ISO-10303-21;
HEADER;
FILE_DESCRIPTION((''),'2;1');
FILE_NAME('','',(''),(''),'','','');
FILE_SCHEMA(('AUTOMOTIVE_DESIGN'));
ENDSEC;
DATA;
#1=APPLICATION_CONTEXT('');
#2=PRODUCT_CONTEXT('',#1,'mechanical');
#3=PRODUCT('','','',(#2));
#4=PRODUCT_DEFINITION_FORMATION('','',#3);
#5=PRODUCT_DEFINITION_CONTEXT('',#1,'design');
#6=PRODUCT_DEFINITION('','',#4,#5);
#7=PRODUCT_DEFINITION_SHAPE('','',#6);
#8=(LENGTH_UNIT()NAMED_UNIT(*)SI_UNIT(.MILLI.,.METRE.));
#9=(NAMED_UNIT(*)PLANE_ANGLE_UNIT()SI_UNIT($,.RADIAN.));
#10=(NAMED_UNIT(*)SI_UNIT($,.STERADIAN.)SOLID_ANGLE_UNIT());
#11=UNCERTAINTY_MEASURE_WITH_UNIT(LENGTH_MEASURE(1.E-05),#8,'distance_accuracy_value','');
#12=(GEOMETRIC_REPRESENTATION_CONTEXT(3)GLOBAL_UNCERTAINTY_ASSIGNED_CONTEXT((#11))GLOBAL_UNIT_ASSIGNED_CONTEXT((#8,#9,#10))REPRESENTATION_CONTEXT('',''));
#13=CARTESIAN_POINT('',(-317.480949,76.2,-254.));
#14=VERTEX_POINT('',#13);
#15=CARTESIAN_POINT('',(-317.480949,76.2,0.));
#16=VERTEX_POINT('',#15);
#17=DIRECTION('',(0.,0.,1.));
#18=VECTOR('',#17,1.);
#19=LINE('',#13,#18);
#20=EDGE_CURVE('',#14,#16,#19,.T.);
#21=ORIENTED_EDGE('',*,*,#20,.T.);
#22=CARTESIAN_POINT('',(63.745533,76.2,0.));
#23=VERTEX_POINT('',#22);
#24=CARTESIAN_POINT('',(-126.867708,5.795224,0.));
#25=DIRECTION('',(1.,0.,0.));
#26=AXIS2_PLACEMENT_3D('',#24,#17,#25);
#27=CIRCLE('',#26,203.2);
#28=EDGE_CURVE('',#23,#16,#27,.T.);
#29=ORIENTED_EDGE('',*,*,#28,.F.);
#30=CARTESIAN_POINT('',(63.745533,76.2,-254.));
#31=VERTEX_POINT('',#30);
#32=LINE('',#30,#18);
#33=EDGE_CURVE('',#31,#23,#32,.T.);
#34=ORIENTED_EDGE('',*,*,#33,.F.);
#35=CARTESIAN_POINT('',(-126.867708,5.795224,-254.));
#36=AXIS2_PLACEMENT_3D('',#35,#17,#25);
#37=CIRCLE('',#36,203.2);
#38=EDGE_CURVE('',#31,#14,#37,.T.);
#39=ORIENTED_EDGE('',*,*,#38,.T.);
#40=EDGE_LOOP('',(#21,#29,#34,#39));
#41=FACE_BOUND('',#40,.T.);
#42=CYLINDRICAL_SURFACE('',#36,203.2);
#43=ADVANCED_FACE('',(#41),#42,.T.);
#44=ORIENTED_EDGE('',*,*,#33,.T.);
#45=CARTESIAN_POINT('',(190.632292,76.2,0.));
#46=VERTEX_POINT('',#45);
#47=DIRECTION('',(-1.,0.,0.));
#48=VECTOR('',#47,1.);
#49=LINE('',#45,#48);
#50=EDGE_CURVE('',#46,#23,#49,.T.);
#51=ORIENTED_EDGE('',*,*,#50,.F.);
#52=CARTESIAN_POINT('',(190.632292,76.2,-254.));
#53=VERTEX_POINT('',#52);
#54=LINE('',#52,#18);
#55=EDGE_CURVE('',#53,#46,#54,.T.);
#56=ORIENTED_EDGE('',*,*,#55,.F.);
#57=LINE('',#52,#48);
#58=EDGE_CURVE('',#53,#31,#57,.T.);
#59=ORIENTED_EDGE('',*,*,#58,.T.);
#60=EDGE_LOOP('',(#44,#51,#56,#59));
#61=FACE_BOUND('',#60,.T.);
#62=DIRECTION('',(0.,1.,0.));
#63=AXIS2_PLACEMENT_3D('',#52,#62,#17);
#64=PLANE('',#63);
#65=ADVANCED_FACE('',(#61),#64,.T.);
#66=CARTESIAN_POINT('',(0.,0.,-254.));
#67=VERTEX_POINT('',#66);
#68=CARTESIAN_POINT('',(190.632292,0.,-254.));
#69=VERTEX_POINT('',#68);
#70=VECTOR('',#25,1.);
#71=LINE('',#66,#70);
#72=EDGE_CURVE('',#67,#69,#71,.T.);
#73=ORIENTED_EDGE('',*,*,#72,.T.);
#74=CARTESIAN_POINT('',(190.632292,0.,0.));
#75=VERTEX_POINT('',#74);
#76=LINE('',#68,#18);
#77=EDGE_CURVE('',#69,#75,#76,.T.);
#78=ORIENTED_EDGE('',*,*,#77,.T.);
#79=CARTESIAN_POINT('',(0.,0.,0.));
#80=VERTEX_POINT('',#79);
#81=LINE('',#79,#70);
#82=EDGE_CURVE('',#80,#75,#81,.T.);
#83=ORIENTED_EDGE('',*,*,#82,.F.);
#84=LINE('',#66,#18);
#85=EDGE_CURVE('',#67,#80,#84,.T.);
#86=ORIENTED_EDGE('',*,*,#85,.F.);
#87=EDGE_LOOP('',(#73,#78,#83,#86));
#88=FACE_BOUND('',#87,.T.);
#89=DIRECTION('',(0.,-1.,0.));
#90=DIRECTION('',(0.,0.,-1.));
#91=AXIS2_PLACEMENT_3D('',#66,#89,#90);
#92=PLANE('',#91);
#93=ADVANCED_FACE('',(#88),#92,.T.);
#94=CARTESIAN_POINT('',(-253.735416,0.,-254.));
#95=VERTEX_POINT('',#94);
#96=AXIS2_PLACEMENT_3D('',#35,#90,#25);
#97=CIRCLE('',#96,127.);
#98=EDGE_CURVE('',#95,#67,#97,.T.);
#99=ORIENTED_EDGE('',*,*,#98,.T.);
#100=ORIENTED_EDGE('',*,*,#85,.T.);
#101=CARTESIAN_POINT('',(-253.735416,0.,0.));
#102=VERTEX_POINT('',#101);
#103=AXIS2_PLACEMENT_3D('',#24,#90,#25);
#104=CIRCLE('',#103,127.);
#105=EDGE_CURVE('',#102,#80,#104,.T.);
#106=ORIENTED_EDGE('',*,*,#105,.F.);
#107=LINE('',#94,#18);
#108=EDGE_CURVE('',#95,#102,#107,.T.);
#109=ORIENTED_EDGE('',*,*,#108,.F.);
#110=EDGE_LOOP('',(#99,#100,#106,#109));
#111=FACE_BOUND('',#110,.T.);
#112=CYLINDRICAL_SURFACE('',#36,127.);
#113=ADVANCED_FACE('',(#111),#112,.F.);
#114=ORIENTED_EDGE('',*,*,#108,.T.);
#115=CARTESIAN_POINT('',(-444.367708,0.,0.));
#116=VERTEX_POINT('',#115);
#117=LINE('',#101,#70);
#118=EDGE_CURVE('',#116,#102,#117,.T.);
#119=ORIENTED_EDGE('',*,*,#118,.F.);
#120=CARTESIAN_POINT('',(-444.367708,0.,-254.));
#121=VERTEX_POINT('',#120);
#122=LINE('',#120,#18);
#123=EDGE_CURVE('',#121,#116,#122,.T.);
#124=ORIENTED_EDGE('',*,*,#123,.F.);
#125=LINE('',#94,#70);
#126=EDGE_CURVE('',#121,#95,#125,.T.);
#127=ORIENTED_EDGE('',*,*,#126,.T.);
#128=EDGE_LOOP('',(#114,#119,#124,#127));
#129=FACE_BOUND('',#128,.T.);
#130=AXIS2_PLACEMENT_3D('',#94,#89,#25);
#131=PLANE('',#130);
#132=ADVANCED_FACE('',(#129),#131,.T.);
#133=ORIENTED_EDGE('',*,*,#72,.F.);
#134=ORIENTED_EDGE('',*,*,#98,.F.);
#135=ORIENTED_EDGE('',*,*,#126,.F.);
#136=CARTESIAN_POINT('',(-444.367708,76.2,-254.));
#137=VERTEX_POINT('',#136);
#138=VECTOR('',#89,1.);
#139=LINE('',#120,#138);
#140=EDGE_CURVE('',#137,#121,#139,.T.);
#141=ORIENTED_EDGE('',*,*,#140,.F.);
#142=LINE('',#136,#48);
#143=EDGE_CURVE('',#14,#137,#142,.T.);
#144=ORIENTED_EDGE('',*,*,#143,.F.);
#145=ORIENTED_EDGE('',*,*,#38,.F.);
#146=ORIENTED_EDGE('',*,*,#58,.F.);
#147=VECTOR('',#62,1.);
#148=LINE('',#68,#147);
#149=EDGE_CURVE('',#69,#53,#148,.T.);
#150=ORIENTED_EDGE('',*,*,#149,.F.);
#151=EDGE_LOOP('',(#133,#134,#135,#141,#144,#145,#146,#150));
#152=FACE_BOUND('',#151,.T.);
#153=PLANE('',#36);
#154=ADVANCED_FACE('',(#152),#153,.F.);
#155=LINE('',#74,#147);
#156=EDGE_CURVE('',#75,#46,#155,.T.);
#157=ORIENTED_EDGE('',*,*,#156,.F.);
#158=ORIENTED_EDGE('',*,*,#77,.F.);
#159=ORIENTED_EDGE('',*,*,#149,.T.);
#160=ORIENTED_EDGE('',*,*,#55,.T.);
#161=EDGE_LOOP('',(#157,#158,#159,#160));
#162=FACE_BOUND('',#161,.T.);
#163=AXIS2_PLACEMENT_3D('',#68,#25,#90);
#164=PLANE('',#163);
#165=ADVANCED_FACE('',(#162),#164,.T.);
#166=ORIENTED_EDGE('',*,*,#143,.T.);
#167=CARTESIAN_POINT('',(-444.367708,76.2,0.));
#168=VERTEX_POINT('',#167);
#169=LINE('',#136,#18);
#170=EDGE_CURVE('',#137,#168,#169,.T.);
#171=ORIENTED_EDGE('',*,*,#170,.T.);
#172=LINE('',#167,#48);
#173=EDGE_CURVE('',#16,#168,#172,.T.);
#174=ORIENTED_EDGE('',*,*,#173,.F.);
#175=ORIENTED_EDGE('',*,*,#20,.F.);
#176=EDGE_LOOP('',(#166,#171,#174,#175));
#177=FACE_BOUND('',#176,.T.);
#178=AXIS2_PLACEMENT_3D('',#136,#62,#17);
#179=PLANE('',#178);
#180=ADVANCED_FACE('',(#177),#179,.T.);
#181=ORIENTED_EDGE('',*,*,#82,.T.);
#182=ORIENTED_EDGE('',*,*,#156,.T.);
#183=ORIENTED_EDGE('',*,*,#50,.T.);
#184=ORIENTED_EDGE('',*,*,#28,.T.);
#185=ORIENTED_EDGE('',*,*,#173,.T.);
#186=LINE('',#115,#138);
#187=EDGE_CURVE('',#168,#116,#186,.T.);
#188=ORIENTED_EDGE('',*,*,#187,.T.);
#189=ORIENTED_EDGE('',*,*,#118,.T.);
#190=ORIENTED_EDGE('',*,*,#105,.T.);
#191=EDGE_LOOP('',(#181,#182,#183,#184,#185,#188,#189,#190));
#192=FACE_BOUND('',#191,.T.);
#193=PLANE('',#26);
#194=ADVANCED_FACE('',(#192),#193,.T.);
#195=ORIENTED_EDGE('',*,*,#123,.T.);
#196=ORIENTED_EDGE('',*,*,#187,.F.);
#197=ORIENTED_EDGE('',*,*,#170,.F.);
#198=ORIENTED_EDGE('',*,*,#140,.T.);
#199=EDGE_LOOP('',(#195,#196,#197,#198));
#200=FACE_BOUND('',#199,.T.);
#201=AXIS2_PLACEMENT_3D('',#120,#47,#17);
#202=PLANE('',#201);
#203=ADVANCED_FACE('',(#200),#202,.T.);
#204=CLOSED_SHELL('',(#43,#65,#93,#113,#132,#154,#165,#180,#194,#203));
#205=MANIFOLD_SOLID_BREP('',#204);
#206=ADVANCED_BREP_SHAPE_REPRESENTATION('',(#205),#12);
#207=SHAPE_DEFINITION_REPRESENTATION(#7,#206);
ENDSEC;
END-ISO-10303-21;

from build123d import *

# Parameters (mm, degrees)
BOSS_EXTRUDE1_DEPTH = 254


with BuildPart() as part:
    # Sketch1 → Boss-Extrude1 (new body)
    with BuildSketch(Plane.XY):
        with BuildLine():
            Line((0, 0), (190.632291842, 0))
            Line((190.632291842, 0), (190.632291842, 76.2))
            Line((190.632291842, 76.2), (63.745532682, 76.2))
            ThreePointArc((63.745532682, 76.2), (-126.867708158, 208.995224478), (-317.480948998, 76.2))
            Line((-317.480948998, 76.2), (-444.367708158, 76.2))
            Line((-444.367708158, 76.2), (-444.367708158, 0))
            Line((-444.367708158, 0), (-253.735416316, 0))
            ThreePointArc((-253.735416316, 0), (-126.867708158, 132.795224478), (0, 0))
        make_face()
    extrude(amount=-BOSS_EXTRUDE1_DEPTH)


solid = part.part
